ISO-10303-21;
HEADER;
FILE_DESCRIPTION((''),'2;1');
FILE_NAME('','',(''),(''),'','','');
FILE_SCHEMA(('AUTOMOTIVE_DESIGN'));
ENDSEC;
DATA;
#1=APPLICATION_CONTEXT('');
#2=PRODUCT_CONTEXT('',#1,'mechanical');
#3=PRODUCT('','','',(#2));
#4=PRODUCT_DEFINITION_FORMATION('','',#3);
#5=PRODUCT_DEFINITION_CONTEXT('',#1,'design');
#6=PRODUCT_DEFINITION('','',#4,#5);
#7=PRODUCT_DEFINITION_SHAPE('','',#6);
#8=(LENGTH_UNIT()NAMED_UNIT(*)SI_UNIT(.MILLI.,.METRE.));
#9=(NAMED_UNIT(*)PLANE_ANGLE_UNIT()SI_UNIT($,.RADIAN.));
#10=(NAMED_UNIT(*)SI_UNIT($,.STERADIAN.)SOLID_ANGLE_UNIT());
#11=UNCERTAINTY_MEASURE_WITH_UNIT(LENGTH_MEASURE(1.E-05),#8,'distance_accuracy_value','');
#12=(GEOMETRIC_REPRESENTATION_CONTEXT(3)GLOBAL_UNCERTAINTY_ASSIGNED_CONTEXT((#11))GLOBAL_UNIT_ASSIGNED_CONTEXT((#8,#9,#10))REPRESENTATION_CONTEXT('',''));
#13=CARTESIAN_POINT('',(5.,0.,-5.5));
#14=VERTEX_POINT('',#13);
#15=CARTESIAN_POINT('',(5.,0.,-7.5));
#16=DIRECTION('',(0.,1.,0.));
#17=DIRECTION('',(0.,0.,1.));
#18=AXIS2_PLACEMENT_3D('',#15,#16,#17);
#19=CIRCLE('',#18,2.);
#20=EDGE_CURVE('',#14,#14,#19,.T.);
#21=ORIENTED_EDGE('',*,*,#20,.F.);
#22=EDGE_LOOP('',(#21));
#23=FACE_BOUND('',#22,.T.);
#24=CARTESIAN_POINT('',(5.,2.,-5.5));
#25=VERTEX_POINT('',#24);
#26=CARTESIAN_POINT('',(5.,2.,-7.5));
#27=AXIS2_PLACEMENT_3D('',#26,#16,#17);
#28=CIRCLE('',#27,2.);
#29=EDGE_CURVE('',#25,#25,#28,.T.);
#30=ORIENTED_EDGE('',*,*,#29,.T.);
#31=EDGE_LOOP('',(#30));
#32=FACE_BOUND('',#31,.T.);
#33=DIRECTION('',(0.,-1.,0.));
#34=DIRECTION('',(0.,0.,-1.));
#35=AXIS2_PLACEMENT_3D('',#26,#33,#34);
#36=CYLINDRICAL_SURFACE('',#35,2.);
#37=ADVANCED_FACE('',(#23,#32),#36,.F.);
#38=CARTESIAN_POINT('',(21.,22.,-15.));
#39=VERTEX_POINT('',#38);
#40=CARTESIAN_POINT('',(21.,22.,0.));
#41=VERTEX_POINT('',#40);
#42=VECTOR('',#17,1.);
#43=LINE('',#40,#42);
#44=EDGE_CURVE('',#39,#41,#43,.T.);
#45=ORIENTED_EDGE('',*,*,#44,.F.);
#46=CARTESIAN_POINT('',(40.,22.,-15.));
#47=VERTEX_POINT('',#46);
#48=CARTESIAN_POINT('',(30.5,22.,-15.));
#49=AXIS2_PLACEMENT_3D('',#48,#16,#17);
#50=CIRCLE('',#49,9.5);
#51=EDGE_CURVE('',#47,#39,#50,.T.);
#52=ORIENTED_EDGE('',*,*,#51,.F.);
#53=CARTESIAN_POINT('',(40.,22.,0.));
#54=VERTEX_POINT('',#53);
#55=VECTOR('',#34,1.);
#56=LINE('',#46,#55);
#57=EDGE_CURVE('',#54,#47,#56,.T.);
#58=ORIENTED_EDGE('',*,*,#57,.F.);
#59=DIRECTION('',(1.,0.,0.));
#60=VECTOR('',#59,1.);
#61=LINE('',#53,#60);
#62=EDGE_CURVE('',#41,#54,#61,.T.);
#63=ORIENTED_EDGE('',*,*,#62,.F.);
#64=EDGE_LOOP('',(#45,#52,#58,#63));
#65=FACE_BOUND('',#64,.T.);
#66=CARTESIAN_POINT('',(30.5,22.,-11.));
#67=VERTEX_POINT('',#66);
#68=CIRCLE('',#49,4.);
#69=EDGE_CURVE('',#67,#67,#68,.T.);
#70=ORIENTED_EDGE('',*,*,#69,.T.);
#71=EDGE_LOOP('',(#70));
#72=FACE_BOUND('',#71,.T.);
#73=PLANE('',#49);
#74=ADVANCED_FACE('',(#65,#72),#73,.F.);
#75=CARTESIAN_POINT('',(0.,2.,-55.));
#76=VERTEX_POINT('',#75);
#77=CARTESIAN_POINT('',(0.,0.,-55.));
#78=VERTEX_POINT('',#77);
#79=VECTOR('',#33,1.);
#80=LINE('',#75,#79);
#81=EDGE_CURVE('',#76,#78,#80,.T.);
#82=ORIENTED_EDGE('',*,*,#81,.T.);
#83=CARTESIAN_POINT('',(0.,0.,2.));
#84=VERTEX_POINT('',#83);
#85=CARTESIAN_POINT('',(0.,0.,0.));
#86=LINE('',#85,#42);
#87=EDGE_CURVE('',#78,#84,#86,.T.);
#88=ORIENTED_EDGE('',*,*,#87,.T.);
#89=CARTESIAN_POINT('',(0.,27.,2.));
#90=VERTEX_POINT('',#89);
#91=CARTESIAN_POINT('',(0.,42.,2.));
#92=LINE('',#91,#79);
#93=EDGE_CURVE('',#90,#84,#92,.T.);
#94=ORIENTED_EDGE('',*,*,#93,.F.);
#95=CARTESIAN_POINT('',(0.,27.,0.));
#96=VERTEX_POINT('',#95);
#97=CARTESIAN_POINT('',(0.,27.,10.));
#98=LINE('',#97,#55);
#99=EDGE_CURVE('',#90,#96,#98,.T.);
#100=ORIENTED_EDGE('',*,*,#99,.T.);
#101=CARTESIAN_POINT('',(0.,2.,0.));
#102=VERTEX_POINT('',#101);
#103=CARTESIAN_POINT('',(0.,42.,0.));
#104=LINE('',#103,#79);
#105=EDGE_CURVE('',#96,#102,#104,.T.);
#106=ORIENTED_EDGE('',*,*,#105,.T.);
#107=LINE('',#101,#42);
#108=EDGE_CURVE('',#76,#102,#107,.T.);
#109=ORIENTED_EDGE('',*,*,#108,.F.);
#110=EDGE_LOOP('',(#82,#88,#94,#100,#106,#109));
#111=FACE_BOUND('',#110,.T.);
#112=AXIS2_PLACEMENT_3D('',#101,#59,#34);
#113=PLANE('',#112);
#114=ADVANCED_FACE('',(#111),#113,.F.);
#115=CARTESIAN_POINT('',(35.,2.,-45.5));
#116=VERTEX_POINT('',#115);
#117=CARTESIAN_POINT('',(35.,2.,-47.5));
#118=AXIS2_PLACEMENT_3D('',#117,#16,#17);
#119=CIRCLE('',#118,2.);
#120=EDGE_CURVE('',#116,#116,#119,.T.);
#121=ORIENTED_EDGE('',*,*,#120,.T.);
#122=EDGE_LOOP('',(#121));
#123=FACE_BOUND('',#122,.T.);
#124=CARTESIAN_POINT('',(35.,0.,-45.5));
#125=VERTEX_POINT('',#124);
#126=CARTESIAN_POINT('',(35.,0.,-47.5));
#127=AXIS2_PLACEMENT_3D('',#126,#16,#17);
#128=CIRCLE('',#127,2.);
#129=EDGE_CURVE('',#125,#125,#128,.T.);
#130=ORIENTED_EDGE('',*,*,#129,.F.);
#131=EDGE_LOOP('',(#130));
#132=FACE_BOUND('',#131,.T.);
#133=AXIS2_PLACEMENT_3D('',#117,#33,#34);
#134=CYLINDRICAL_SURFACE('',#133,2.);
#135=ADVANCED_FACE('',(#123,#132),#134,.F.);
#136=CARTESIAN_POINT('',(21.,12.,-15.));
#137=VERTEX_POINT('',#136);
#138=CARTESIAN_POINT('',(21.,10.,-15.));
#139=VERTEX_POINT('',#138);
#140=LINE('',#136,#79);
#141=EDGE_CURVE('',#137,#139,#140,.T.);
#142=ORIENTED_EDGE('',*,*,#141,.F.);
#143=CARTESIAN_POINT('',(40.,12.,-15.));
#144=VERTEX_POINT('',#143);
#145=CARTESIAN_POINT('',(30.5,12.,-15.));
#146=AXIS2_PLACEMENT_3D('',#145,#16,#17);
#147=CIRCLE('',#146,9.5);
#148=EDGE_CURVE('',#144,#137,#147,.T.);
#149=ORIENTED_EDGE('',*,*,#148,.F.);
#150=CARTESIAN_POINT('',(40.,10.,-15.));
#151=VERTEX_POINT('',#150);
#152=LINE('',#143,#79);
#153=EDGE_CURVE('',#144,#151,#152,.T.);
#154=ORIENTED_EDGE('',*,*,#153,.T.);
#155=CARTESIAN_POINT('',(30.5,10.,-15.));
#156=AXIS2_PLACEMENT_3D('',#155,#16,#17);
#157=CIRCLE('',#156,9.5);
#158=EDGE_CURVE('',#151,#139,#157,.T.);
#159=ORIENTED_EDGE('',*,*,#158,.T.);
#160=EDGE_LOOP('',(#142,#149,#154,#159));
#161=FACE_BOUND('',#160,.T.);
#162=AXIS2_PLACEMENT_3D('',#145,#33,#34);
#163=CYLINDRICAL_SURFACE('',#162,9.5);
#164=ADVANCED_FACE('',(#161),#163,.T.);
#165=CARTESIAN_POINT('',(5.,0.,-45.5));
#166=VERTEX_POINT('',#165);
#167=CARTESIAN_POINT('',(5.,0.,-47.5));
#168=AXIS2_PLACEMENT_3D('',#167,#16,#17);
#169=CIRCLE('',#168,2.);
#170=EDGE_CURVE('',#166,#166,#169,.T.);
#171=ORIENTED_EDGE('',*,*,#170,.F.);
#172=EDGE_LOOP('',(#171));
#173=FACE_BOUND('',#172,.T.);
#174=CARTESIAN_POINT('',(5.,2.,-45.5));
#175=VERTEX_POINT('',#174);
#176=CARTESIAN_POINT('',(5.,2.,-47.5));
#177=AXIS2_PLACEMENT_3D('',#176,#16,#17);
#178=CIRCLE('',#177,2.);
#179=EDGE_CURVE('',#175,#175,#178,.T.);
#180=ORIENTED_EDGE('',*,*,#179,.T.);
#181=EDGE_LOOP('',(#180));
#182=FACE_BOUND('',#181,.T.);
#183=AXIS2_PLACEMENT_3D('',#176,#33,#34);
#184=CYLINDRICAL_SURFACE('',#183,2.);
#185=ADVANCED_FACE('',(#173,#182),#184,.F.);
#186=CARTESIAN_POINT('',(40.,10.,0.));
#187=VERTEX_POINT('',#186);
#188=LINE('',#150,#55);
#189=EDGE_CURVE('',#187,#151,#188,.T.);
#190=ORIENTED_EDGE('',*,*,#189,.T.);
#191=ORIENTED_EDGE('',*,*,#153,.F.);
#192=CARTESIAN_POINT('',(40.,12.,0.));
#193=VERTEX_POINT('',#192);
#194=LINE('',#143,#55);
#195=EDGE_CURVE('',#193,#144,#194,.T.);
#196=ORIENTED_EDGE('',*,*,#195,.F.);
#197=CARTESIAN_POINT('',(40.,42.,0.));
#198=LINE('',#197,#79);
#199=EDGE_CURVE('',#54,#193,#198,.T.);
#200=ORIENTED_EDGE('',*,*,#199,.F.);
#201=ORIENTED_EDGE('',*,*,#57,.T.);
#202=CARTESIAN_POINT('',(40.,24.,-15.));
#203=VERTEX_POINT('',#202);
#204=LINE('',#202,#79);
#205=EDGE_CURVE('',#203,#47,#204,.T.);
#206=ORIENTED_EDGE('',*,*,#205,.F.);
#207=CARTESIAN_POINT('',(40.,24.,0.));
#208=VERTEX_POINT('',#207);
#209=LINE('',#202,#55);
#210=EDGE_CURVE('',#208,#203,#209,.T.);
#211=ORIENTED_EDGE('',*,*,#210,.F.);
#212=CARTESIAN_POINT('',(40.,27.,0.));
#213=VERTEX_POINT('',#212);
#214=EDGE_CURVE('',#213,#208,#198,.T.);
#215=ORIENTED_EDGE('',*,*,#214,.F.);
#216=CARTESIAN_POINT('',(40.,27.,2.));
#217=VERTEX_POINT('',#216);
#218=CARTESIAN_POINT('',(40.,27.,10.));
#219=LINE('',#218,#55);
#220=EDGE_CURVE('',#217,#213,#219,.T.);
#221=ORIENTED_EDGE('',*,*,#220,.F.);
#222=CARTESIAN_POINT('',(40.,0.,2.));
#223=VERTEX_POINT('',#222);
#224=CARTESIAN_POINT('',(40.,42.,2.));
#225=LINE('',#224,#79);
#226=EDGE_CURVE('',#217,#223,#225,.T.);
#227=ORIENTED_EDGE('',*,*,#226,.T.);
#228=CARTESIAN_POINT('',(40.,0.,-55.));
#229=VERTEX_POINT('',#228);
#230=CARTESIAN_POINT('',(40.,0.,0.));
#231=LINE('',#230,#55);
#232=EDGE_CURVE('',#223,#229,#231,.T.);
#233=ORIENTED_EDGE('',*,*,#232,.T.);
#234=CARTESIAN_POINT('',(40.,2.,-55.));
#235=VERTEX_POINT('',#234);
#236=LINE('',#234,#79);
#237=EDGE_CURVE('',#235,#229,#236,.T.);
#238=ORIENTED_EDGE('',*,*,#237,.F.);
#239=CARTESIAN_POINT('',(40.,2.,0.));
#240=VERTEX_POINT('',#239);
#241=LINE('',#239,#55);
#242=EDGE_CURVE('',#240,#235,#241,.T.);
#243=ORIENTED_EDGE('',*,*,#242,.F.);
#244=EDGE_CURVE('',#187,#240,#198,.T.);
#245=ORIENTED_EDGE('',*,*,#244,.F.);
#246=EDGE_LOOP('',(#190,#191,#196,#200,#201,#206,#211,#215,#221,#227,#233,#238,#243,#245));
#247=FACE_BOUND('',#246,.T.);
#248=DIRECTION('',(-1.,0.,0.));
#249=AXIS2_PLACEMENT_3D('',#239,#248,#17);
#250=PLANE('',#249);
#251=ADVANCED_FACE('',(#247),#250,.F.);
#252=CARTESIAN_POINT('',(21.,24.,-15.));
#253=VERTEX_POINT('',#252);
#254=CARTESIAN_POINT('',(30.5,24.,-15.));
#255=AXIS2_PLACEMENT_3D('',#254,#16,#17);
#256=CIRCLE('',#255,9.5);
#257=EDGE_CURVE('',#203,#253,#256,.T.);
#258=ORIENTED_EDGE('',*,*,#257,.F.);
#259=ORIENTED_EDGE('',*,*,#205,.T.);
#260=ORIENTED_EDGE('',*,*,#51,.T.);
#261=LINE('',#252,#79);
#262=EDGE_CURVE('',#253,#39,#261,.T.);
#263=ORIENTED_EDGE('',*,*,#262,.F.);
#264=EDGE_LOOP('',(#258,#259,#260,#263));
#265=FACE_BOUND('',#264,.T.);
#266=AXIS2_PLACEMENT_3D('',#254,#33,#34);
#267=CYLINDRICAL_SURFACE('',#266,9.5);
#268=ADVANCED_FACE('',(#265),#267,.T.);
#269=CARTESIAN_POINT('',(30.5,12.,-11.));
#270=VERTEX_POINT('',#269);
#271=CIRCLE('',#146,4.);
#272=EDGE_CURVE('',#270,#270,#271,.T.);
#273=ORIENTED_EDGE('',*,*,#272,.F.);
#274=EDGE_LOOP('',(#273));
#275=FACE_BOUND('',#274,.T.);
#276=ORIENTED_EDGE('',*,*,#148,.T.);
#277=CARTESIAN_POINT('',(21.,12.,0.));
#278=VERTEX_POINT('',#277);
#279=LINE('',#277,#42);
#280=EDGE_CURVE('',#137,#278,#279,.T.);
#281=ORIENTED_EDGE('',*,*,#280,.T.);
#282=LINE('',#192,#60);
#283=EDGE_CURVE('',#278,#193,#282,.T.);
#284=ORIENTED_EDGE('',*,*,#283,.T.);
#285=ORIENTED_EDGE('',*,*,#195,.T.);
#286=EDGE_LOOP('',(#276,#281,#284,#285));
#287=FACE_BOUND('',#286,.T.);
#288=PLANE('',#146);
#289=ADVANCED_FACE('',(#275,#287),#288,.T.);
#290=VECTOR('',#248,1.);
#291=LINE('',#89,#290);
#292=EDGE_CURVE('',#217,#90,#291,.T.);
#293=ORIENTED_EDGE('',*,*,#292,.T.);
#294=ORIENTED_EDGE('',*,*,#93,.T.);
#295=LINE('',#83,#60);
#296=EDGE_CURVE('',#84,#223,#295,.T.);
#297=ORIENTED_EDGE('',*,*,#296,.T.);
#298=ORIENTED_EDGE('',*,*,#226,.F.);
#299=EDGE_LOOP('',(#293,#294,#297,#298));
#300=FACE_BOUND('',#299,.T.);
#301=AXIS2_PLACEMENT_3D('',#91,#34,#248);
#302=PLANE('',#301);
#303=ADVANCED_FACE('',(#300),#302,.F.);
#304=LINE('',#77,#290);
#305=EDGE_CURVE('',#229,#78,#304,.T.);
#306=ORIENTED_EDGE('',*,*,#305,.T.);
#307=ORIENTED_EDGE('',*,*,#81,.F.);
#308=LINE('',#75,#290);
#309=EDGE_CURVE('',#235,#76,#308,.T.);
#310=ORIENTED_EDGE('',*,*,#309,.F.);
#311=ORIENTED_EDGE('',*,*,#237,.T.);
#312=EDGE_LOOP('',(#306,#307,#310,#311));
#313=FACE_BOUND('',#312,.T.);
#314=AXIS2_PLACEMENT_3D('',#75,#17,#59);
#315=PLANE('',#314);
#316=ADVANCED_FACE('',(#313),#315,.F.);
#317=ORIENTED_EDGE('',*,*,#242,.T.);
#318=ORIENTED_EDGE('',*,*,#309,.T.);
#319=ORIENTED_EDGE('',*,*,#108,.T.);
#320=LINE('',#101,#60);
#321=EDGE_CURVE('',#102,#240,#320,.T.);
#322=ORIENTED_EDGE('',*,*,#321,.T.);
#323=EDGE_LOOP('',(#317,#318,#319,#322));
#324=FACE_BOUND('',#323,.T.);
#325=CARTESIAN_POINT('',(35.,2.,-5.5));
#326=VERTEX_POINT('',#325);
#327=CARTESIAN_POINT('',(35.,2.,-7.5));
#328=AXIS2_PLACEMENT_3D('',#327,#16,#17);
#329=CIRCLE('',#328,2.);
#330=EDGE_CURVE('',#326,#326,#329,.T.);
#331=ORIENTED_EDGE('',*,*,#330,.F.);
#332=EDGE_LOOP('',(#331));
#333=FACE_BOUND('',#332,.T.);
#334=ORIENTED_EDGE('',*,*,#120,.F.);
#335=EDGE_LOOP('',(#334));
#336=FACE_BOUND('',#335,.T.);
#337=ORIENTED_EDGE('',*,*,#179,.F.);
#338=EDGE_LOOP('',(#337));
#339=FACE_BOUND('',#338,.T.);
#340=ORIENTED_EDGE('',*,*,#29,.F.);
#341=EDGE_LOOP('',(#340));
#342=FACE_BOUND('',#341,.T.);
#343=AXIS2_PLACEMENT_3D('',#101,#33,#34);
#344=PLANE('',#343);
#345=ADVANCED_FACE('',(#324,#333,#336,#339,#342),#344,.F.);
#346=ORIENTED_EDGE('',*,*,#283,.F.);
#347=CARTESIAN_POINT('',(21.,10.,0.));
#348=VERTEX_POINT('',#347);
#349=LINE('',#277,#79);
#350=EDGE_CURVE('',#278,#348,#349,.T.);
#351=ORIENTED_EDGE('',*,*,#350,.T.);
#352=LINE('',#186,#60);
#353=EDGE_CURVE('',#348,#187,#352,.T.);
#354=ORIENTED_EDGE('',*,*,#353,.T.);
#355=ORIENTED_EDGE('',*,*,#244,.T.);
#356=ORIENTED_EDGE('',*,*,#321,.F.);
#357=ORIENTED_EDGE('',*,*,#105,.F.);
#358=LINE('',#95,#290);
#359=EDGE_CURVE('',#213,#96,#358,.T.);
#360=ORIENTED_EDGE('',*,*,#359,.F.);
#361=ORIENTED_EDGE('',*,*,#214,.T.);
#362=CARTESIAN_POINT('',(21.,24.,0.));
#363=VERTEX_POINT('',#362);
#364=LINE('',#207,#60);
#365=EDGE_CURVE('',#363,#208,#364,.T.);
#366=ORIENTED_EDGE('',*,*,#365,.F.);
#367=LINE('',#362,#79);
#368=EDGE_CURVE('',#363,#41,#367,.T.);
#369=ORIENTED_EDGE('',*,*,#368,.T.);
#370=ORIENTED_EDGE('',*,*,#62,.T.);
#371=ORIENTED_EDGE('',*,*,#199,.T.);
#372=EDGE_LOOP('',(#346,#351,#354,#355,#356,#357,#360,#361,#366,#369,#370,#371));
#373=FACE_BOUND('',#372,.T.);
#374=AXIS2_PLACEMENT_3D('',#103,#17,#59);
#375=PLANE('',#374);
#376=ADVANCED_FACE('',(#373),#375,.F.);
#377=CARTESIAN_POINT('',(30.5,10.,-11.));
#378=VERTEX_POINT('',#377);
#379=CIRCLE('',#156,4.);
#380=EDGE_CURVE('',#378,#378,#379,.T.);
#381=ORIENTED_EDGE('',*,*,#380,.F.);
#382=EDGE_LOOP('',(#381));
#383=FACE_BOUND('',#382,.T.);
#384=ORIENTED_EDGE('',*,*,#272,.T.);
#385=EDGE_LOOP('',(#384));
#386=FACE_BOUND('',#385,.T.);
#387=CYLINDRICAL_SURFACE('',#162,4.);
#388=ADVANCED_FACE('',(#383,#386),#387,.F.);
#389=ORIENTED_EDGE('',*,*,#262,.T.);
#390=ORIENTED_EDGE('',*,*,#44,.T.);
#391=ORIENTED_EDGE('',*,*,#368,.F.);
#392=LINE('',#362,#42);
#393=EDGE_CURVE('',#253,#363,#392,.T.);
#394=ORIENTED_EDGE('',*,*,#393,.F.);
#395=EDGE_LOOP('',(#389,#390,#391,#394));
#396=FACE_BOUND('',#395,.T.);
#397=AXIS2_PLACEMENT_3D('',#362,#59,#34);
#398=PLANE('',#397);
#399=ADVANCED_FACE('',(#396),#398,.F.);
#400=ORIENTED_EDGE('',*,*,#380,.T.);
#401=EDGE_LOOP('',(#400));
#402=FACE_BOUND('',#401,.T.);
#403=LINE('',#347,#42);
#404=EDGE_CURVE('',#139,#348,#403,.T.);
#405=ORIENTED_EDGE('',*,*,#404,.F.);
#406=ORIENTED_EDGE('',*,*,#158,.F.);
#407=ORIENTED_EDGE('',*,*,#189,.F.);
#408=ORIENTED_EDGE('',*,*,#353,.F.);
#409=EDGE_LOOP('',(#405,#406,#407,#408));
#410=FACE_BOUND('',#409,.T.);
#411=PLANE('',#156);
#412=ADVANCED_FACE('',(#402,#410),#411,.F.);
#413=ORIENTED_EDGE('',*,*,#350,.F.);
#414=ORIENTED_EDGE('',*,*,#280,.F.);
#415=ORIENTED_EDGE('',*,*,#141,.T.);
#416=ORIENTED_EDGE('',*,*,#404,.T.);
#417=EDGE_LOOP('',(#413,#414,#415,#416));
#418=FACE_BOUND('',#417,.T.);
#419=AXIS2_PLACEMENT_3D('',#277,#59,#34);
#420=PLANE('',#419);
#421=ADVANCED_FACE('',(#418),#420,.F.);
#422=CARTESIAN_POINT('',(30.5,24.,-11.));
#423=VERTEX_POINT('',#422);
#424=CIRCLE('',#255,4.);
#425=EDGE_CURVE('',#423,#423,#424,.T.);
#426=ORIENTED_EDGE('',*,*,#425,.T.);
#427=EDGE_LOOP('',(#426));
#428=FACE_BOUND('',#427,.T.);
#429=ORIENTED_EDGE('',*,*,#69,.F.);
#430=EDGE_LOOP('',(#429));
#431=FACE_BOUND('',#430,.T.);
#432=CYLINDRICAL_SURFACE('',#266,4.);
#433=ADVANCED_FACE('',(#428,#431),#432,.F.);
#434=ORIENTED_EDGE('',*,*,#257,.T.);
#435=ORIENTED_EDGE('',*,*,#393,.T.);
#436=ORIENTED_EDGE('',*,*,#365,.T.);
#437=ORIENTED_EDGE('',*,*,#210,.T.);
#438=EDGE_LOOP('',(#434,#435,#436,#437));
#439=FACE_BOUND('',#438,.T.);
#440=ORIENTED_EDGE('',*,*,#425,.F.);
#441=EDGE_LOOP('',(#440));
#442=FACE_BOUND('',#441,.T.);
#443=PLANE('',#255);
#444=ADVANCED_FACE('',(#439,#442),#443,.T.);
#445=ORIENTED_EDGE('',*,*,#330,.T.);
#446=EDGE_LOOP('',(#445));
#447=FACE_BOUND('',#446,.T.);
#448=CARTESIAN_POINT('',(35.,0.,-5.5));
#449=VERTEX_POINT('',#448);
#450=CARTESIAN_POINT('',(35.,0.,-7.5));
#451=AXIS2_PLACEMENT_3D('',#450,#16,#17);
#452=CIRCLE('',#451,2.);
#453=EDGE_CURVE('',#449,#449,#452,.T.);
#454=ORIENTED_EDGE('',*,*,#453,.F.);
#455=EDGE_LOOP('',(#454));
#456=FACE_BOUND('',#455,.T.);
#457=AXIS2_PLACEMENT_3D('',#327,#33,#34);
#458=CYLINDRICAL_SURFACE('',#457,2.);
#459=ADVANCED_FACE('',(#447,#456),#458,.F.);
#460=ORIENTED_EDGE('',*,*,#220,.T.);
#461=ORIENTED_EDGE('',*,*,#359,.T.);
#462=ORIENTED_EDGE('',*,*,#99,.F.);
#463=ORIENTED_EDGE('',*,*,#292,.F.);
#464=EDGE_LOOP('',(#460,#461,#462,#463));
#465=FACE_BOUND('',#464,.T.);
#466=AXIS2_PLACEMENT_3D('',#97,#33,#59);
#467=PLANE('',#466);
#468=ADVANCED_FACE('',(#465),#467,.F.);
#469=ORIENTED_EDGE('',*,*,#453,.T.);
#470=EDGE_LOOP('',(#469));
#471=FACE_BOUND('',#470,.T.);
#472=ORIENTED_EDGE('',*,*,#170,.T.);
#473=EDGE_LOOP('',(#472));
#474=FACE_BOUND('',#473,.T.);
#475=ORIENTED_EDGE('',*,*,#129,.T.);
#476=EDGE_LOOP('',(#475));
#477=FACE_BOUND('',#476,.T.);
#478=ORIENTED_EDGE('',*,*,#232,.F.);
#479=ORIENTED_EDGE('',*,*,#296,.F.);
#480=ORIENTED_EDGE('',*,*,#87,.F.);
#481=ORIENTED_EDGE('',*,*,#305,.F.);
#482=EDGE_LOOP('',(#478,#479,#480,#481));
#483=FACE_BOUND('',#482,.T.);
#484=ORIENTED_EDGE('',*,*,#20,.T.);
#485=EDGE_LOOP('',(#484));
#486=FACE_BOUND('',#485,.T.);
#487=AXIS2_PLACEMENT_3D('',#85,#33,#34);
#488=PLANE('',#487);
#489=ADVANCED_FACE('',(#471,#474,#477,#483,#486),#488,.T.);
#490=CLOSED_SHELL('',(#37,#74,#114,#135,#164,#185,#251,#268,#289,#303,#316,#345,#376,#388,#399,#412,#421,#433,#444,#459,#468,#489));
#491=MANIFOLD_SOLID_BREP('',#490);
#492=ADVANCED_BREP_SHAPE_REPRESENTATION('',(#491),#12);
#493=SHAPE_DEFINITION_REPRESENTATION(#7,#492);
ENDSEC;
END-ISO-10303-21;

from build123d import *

# Parameters (mm, degrees)
CROQUIS2_W              = 40
CROQUIS2_H              = 55
CROQUIS2_R              = 2
SALIENTE_EXTRUIR1_DEPTH = 2
CROQUIS3_W              = 40
CROQUIS3_H              = 2
SALIENTE_EXTRUIR2_DEPTH = 42
CROQUIS4_R              = 4
SALIENTE_EXTRUIR3_DEPTH = 2
MATRIZL1_COUNT          = 2
MATRIZL1_PITCH          = 12
CROQUIS6_W              = 40
CROQUIS6_H              = 15
CORTAR_EXTRUIR1_DEPTH   = 10


with BuildPart() as part:
    # Croquis2 → Saliente-Extruir1 (new body)
    with BuildSketch(Plane(origin=(0, 0, 0), x_dir=(1, 0, 0), z_dir=(0, 1, 0))):
        with Locations((20, 27.5)):
            Rectangle(CROQUIS2_W, CROQUIS2_H)
        with Locations(Location((5, 47.5, 0), (0, 0, 270))):
            Circle(CROQUIS2_R, mode=Mode.SUBTRACT)
        with Locations(Location((35, 47.5, 0), (0, 0, 270))):
            Circle(CROQUIS2_R, mode=Mode.SUBTRACT)
        with Locations(Location((35, 7.5, 0), (0, 0, 270))):
            Circle(CROQUIS2_R, mode=Mode.SUBTRACT)
        with Locations(Location((5, 7.5, 0), (0, 0, 270))):
            Circle(CROQUIS2_R, mode=Mode.SUBTRACT)
    extrude(amount=SALIENTE_EXTRUIR1_DEPTH)

    # Croquis3 → Saliente-Extruir2 (add)
    with BuildSketch(Plane(origin=(0, 0, 0), x_dir=(1, 0, 0), z_dir=(0, 1, 0))):
        with Locations((20, -1)):
            Rectangle(CROQUIS3_W, CROQUIS3_H)
    extrude(amount=SALIENTE_EXTRUIR2_DEPTH)

    # Croquis4 → Saliente-Extruir3 (add)
    with BuildSketch(Plane(origin=(0, 22, 0), x_dir=(1, 0, 0), z_dir=(0, 1, 0))):
        with BuildLine():
            Line((40, 15), (40, 0))
            Line((40, 0), (21, 0))
            Line((21, 0), (21, 15))
            ThreePointArc((21, 15), (30.5, 24.5), (40, 15))
        make_face()
        with Locations(Location((30.5, 15, 0), (0, 0, 270))):
            Circle(CROQUIS4_R, mode=Mode.SUBTRACT)
    saliente_extruir3 = extrude(amount=SALIENTE_EXTRUIR3_DEPTH)

    # MatrizL1: Saliente-Extruir3 ×2
    with Locations(*[(0, -i * MATRIZL1_PITCH, 0) for i in range(1, MATRIZL1_COUNT)]):
        add(saliente_extruir3)

    # Croquis6 → Cortar-Extruir1 (cut)
    with BuildSketch(Plane(origin=(0, 0, 0), x_dir=(-1, 0, 0), z_dir=(0, 0, -1))):
        with Locations((-20, 34.5)):
            Rectangle(CROQUIS6_W, CROQUIS6_H)
    extrude(amount=-CORTAR_EXTRUIR1_DEPTH, mode=Mode.SUBTRACT)


solid = part.part
